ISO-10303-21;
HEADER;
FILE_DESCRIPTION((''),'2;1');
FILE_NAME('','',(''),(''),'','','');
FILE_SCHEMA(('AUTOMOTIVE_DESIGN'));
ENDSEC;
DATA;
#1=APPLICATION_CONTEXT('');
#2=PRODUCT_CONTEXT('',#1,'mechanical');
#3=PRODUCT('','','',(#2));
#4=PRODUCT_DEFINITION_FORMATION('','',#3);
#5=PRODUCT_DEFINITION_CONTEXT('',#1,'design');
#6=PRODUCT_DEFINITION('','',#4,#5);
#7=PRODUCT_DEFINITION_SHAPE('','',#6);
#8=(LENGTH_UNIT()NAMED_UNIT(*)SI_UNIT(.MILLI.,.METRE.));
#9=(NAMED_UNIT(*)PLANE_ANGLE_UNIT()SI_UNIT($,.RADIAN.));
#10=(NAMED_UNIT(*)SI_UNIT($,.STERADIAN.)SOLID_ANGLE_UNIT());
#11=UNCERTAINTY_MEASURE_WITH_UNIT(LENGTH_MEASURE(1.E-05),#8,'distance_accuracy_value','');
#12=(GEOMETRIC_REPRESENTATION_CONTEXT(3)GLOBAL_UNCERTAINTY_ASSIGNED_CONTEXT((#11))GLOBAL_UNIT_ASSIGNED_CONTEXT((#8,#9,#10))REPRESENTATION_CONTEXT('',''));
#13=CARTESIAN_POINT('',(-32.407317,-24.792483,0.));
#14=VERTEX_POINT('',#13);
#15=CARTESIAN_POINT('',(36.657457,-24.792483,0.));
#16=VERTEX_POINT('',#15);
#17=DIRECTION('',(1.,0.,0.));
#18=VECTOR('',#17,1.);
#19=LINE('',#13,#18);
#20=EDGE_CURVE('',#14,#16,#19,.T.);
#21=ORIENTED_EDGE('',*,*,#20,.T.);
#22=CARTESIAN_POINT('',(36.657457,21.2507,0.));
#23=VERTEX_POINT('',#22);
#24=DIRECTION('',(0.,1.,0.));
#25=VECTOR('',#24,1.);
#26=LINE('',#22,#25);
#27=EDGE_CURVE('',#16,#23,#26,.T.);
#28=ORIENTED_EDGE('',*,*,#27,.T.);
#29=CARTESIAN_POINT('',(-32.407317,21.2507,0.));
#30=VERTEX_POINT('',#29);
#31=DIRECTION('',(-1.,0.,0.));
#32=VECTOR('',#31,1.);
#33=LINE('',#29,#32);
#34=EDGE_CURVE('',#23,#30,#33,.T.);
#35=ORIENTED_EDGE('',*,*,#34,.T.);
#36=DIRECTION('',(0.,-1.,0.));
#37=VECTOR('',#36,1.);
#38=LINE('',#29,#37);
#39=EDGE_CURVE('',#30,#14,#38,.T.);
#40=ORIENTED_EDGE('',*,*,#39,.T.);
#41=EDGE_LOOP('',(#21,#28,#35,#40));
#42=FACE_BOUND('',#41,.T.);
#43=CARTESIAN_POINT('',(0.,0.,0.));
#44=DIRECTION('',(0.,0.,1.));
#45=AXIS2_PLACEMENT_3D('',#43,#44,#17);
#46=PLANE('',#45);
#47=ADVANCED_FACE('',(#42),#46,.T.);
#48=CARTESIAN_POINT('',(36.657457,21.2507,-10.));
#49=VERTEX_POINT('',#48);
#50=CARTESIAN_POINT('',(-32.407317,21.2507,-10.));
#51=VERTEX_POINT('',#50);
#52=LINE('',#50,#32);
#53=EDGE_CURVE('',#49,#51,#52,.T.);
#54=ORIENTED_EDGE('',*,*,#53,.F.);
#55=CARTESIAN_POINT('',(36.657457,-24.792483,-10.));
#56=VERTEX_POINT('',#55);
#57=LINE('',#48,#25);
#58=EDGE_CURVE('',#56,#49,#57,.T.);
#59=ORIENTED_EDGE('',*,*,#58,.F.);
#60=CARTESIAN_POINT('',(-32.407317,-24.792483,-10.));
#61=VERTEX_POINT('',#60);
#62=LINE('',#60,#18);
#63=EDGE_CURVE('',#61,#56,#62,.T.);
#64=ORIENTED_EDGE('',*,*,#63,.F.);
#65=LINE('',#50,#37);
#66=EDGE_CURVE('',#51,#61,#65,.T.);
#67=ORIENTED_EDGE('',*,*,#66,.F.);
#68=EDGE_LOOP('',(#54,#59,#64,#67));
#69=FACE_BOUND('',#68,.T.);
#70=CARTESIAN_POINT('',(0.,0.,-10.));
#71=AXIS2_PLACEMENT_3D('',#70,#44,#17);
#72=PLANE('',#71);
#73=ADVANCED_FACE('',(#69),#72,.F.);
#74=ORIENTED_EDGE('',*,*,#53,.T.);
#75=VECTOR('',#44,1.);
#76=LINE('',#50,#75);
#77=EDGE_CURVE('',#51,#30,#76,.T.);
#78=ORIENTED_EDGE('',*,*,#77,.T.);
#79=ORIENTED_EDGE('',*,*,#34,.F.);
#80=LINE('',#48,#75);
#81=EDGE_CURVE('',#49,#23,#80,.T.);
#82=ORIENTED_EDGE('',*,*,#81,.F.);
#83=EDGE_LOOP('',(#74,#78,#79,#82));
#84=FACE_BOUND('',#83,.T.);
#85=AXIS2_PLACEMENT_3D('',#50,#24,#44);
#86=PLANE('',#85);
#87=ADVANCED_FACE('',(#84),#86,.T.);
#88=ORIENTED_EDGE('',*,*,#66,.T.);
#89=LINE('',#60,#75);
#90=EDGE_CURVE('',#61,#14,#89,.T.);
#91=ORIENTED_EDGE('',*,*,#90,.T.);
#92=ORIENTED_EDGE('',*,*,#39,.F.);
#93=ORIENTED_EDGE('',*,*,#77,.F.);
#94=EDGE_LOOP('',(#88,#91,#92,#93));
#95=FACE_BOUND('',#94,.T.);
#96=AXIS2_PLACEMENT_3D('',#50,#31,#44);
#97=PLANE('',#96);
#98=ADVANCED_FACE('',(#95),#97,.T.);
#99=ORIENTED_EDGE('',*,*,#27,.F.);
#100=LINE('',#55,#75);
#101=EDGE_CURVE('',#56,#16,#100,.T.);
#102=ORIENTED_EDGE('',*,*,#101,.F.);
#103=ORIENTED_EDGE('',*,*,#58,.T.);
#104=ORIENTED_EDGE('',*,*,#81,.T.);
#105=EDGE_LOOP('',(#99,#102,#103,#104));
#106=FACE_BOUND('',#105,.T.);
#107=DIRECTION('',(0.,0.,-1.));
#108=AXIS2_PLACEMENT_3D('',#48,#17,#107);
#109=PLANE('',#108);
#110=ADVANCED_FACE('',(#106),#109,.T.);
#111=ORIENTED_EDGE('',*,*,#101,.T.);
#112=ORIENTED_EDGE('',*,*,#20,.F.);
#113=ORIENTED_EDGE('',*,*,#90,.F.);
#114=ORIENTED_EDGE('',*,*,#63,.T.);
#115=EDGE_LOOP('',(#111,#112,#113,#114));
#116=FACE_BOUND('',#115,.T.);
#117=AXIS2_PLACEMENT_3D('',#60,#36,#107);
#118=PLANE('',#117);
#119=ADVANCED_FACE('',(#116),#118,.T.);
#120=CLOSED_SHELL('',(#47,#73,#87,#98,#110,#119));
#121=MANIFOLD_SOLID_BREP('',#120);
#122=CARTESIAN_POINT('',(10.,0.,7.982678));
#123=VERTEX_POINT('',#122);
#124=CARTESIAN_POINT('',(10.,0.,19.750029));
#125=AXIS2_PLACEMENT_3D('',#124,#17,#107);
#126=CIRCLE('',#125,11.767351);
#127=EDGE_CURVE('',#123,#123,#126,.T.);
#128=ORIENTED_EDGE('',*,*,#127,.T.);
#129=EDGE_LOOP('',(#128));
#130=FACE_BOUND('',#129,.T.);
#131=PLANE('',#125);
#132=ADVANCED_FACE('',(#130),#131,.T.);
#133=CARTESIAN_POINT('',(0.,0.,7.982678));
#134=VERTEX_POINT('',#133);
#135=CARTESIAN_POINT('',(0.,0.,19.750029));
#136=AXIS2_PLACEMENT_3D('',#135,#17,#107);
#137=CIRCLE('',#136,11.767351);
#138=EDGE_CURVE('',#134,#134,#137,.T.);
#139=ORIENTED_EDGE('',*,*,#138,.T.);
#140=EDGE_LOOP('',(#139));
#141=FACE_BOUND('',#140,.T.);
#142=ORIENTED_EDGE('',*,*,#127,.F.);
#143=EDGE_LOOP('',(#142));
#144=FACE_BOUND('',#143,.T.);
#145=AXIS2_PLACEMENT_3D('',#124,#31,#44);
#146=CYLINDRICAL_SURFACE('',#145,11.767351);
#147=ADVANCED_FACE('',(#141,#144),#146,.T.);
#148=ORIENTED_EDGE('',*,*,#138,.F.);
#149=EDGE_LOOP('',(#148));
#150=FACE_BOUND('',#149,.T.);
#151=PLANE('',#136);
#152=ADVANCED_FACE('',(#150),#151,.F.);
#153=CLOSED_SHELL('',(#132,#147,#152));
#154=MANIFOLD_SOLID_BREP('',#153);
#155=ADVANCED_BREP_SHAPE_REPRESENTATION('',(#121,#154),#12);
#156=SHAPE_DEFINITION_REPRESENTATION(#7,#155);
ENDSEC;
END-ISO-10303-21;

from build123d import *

# Parameters (mm, degrees)
SKETCH_1_W      = 69.064774026
SKETCH_1_H      = 46.043182684
EXTRUDE_1_DEPTH = 10
SKETCH_2_R      = 11.767350743
EXTRUDE_3_DEPTH = 10


with BuildPart() as part:
    # Эскиз1 → Бобышка-Вытянуть1 (new body)
    with BuildSketch(Plane.XY):
        with Locations((2.12506997, -1.770891642)):
            Rectangle(SKETCH_1_W, SKETCH_1_H)
    extrude(amount=-EXTRUDE_1_DEPTH)


with BuildPart() as body_2:
    # Эскиз2 → Бобышка-Вытянуть3 (new body)
    with BuildSketch(Plane(origin=(0, 0, 0), x_dir=(0, 0, -1), z_dir=(1, 0, 0))):
        with Locations((-19.75002894, 0)):
            Circle(SKETCH_2_R)
    extrude(amount=EXTRUDE_3_DEPTH)


solid = Compound([part.part, body_2.part])
